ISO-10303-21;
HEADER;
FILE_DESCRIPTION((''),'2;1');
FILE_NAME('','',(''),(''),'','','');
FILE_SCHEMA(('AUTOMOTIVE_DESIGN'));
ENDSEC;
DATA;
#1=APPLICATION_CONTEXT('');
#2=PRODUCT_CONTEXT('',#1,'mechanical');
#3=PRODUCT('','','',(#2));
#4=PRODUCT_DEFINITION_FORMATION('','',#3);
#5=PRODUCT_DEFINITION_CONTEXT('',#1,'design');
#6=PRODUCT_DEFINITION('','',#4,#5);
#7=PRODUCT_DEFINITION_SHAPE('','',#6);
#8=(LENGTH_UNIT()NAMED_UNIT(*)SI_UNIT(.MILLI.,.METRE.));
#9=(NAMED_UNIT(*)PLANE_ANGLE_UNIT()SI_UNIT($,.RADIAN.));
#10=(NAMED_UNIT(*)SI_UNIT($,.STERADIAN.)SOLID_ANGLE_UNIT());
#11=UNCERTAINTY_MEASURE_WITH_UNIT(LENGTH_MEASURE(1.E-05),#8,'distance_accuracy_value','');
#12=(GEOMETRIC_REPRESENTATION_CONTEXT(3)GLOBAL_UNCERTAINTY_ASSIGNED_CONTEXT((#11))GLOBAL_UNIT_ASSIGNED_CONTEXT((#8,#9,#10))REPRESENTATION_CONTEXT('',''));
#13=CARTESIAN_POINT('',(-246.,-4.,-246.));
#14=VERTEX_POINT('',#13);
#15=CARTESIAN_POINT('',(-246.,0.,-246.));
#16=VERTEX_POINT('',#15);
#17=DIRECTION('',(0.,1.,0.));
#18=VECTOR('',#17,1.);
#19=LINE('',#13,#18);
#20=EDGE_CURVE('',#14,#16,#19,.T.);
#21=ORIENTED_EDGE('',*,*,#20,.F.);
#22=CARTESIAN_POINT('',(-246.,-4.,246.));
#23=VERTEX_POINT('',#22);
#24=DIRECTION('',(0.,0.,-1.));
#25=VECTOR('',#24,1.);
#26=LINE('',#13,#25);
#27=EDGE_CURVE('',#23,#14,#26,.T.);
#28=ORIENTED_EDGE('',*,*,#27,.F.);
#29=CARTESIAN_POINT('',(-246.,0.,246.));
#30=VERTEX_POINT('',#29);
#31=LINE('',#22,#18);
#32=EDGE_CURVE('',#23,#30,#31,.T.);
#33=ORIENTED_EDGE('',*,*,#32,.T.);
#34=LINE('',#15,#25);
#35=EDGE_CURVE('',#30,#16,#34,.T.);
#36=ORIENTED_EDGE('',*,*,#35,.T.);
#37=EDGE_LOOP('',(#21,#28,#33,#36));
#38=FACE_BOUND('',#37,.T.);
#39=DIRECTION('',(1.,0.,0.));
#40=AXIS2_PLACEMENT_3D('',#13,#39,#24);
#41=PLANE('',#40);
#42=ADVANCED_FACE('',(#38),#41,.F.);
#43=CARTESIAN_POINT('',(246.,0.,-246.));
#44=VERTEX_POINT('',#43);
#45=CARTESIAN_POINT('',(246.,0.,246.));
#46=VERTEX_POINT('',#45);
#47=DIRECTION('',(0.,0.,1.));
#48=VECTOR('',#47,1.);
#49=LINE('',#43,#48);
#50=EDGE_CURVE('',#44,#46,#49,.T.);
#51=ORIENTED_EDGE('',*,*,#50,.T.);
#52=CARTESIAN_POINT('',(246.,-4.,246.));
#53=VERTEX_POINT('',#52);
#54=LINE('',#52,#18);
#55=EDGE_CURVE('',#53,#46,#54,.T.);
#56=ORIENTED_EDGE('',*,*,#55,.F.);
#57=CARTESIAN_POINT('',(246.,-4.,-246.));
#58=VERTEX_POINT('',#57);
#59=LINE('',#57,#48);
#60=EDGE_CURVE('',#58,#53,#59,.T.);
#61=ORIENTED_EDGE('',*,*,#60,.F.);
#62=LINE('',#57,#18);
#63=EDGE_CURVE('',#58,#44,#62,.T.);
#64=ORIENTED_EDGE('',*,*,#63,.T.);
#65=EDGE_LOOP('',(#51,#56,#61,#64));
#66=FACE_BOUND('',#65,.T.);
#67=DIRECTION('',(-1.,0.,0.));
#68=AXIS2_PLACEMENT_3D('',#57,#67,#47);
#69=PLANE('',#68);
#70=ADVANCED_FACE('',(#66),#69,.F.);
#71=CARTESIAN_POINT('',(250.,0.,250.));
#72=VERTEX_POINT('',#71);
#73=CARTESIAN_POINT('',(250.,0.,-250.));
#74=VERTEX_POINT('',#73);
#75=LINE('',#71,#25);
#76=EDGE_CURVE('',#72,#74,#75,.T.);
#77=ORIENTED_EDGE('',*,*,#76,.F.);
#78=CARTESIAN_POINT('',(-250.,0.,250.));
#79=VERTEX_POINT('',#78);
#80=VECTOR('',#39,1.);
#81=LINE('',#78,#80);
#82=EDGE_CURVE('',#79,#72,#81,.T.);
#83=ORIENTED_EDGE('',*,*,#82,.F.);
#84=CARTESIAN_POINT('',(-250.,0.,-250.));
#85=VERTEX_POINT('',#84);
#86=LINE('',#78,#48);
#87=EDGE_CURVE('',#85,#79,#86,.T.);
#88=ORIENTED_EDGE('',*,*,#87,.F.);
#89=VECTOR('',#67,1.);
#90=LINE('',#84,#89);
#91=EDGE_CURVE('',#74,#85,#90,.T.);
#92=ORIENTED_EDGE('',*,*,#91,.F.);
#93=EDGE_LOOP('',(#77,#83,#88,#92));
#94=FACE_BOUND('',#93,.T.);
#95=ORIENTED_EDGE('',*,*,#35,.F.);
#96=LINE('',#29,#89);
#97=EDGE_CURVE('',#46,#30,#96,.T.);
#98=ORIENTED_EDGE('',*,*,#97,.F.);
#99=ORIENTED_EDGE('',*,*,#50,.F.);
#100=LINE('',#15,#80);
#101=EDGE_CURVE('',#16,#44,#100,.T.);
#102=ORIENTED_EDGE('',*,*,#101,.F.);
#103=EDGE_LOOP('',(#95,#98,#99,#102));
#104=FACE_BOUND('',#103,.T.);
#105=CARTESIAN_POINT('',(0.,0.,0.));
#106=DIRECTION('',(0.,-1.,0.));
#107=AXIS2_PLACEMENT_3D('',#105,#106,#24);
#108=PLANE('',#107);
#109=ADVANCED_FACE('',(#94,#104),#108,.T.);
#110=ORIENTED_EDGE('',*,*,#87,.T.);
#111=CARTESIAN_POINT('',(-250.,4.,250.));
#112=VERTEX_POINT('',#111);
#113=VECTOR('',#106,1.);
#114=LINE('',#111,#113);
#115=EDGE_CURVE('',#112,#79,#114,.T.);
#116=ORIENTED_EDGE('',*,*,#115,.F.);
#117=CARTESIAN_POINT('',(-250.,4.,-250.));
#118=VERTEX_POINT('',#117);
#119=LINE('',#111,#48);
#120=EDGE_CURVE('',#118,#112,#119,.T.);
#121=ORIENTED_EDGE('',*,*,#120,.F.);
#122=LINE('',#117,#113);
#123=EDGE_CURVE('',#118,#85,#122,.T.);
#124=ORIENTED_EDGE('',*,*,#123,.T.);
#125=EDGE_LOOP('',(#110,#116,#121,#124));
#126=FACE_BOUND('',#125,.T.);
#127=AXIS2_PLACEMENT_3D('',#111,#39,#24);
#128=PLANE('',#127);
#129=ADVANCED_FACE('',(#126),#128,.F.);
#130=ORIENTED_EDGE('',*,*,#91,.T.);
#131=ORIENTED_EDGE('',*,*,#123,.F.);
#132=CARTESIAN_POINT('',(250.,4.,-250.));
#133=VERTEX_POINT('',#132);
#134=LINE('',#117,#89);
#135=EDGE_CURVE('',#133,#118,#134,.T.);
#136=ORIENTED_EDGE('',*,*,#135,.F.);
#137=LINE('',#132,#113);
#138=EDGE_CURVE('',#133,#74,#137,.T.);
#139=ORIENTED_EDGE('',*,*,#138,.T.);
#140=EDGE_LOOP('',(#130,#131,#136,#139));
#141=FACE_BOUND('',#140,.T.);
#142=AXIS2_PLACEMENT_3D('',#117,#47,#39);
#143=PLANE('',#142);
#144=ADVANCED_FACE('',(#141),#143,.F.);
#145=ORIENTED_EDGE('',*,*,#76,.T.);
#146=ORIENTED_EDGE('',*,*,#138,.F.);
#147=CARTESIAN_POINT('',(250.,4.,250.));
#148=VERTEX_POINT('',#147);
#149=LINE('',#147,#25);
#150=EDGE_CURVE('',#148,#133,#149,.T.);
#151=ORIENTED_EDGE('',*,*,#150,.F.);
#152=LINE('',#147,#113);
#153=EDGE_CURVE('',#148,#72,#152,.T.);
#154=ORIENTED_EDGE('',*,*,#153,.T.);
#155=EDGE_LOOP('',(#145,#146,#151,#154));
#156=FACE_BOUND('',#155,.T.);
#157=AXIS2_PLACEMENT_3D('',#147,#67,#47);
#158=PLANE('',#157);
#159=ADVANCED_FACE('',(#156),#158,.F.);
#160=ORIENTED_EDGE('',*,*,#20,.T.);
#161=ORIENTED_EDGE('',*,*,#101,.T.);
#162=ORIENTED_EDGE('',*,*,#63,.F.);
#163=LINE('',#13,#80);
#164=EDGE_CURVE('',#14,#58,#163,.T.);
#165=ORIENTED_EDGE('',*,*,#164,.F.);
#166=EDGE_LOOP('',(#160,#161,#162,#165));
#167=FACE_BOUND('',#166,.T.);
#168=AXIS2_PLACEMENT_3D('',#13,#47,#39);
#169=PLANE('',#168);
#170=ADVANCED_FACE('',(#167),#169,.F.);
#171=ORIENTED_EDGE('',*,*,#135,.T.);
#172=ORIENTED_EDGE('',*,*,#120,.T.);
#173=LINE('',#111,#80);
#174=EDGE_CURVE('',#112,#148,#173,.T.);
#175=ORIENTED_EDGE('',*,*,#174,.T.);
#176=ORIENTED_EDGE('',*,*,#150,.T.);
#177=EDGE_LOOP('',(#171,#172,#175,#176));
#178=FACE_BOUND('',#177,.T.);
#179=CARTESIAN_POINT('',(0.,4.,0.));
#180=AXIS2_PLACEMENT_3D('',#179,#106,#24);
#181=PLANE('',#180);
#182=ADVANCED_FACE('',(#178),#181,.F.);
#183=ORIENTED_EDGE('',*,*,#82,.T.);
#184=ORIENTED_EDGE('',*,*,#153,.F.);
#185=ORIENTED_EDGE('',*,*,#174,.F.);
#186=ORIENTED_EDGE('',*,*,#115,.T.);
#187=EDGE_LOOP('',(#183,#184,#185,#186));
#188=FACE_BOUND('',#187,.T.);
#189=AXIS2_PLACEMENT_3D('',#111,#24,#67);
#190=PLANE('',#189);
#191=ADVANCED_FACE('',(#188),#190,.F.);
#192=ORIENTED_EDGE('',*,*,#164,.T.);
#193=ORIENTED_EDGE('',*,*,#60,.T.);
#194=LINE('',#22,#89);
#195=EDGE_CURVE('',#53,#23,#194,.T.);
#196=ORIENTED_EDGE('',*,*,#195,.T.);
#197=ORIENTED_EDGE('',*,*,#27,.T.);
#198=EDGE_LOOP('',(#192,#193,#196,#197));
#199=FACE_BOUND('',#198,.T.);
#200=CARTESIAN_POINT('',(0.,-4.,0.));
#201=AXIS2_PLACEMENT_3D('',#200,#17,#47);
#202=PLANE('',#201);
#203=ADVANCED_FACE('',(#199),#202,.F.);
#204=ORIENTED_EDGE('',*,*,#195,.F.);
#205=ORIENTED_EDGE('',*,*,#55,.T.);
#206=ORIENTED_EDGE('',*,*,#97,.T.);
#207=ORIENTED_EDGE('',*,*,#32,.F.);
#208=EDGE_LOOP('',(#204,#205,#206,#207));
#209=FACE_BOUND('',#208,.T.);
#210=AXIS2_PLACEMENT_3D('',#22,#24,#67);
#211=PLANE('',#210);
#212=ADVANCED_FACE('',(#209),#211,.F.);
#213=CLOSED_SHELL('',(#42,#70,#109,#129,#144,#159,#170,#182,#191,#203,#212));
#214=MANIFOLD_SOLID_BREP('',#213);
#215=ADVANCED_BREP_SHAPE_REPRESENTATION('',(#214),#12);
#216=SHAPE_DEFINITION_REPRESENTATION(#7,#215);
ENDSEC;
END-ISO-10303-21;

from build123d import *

# Parameters (mm, degrees)
SKETCH1_W           = 500
SKETCH1_H           = 500
BOSS_EXTRUDE1_DEPTH = 4
SKETCH2_W           = 492
SKETCH2_H           = 492
BOSS_EXTRUDE2_DEPTH = 4


with BuildPart() as part:
    # Sketch1 → Boss-Extrude1 (new body)
    with BuildSketch(Plane(origin=(0, 0, 0), x_dir=(1, 0, 0), z_dir=(0, 1, 0))):
        Rectangle(SKETCH1_W, SKETCH1_H)
    extrude(amount=BOSS_EXTRUDE1_DEPTH)

    # Sketch2 → Boss-Extrude2 (add)
    with BuildSketch(Plane(origin=(0, 0, 0), x_dir=(-1, 0, 0), z_dir=(0, -1, 0))):
        Rectangle(SKETCH2_W, SKETCH2_H)
    extrude(amount=BOSS_EXTRUDE2_DEPTH)


solid = part.part
